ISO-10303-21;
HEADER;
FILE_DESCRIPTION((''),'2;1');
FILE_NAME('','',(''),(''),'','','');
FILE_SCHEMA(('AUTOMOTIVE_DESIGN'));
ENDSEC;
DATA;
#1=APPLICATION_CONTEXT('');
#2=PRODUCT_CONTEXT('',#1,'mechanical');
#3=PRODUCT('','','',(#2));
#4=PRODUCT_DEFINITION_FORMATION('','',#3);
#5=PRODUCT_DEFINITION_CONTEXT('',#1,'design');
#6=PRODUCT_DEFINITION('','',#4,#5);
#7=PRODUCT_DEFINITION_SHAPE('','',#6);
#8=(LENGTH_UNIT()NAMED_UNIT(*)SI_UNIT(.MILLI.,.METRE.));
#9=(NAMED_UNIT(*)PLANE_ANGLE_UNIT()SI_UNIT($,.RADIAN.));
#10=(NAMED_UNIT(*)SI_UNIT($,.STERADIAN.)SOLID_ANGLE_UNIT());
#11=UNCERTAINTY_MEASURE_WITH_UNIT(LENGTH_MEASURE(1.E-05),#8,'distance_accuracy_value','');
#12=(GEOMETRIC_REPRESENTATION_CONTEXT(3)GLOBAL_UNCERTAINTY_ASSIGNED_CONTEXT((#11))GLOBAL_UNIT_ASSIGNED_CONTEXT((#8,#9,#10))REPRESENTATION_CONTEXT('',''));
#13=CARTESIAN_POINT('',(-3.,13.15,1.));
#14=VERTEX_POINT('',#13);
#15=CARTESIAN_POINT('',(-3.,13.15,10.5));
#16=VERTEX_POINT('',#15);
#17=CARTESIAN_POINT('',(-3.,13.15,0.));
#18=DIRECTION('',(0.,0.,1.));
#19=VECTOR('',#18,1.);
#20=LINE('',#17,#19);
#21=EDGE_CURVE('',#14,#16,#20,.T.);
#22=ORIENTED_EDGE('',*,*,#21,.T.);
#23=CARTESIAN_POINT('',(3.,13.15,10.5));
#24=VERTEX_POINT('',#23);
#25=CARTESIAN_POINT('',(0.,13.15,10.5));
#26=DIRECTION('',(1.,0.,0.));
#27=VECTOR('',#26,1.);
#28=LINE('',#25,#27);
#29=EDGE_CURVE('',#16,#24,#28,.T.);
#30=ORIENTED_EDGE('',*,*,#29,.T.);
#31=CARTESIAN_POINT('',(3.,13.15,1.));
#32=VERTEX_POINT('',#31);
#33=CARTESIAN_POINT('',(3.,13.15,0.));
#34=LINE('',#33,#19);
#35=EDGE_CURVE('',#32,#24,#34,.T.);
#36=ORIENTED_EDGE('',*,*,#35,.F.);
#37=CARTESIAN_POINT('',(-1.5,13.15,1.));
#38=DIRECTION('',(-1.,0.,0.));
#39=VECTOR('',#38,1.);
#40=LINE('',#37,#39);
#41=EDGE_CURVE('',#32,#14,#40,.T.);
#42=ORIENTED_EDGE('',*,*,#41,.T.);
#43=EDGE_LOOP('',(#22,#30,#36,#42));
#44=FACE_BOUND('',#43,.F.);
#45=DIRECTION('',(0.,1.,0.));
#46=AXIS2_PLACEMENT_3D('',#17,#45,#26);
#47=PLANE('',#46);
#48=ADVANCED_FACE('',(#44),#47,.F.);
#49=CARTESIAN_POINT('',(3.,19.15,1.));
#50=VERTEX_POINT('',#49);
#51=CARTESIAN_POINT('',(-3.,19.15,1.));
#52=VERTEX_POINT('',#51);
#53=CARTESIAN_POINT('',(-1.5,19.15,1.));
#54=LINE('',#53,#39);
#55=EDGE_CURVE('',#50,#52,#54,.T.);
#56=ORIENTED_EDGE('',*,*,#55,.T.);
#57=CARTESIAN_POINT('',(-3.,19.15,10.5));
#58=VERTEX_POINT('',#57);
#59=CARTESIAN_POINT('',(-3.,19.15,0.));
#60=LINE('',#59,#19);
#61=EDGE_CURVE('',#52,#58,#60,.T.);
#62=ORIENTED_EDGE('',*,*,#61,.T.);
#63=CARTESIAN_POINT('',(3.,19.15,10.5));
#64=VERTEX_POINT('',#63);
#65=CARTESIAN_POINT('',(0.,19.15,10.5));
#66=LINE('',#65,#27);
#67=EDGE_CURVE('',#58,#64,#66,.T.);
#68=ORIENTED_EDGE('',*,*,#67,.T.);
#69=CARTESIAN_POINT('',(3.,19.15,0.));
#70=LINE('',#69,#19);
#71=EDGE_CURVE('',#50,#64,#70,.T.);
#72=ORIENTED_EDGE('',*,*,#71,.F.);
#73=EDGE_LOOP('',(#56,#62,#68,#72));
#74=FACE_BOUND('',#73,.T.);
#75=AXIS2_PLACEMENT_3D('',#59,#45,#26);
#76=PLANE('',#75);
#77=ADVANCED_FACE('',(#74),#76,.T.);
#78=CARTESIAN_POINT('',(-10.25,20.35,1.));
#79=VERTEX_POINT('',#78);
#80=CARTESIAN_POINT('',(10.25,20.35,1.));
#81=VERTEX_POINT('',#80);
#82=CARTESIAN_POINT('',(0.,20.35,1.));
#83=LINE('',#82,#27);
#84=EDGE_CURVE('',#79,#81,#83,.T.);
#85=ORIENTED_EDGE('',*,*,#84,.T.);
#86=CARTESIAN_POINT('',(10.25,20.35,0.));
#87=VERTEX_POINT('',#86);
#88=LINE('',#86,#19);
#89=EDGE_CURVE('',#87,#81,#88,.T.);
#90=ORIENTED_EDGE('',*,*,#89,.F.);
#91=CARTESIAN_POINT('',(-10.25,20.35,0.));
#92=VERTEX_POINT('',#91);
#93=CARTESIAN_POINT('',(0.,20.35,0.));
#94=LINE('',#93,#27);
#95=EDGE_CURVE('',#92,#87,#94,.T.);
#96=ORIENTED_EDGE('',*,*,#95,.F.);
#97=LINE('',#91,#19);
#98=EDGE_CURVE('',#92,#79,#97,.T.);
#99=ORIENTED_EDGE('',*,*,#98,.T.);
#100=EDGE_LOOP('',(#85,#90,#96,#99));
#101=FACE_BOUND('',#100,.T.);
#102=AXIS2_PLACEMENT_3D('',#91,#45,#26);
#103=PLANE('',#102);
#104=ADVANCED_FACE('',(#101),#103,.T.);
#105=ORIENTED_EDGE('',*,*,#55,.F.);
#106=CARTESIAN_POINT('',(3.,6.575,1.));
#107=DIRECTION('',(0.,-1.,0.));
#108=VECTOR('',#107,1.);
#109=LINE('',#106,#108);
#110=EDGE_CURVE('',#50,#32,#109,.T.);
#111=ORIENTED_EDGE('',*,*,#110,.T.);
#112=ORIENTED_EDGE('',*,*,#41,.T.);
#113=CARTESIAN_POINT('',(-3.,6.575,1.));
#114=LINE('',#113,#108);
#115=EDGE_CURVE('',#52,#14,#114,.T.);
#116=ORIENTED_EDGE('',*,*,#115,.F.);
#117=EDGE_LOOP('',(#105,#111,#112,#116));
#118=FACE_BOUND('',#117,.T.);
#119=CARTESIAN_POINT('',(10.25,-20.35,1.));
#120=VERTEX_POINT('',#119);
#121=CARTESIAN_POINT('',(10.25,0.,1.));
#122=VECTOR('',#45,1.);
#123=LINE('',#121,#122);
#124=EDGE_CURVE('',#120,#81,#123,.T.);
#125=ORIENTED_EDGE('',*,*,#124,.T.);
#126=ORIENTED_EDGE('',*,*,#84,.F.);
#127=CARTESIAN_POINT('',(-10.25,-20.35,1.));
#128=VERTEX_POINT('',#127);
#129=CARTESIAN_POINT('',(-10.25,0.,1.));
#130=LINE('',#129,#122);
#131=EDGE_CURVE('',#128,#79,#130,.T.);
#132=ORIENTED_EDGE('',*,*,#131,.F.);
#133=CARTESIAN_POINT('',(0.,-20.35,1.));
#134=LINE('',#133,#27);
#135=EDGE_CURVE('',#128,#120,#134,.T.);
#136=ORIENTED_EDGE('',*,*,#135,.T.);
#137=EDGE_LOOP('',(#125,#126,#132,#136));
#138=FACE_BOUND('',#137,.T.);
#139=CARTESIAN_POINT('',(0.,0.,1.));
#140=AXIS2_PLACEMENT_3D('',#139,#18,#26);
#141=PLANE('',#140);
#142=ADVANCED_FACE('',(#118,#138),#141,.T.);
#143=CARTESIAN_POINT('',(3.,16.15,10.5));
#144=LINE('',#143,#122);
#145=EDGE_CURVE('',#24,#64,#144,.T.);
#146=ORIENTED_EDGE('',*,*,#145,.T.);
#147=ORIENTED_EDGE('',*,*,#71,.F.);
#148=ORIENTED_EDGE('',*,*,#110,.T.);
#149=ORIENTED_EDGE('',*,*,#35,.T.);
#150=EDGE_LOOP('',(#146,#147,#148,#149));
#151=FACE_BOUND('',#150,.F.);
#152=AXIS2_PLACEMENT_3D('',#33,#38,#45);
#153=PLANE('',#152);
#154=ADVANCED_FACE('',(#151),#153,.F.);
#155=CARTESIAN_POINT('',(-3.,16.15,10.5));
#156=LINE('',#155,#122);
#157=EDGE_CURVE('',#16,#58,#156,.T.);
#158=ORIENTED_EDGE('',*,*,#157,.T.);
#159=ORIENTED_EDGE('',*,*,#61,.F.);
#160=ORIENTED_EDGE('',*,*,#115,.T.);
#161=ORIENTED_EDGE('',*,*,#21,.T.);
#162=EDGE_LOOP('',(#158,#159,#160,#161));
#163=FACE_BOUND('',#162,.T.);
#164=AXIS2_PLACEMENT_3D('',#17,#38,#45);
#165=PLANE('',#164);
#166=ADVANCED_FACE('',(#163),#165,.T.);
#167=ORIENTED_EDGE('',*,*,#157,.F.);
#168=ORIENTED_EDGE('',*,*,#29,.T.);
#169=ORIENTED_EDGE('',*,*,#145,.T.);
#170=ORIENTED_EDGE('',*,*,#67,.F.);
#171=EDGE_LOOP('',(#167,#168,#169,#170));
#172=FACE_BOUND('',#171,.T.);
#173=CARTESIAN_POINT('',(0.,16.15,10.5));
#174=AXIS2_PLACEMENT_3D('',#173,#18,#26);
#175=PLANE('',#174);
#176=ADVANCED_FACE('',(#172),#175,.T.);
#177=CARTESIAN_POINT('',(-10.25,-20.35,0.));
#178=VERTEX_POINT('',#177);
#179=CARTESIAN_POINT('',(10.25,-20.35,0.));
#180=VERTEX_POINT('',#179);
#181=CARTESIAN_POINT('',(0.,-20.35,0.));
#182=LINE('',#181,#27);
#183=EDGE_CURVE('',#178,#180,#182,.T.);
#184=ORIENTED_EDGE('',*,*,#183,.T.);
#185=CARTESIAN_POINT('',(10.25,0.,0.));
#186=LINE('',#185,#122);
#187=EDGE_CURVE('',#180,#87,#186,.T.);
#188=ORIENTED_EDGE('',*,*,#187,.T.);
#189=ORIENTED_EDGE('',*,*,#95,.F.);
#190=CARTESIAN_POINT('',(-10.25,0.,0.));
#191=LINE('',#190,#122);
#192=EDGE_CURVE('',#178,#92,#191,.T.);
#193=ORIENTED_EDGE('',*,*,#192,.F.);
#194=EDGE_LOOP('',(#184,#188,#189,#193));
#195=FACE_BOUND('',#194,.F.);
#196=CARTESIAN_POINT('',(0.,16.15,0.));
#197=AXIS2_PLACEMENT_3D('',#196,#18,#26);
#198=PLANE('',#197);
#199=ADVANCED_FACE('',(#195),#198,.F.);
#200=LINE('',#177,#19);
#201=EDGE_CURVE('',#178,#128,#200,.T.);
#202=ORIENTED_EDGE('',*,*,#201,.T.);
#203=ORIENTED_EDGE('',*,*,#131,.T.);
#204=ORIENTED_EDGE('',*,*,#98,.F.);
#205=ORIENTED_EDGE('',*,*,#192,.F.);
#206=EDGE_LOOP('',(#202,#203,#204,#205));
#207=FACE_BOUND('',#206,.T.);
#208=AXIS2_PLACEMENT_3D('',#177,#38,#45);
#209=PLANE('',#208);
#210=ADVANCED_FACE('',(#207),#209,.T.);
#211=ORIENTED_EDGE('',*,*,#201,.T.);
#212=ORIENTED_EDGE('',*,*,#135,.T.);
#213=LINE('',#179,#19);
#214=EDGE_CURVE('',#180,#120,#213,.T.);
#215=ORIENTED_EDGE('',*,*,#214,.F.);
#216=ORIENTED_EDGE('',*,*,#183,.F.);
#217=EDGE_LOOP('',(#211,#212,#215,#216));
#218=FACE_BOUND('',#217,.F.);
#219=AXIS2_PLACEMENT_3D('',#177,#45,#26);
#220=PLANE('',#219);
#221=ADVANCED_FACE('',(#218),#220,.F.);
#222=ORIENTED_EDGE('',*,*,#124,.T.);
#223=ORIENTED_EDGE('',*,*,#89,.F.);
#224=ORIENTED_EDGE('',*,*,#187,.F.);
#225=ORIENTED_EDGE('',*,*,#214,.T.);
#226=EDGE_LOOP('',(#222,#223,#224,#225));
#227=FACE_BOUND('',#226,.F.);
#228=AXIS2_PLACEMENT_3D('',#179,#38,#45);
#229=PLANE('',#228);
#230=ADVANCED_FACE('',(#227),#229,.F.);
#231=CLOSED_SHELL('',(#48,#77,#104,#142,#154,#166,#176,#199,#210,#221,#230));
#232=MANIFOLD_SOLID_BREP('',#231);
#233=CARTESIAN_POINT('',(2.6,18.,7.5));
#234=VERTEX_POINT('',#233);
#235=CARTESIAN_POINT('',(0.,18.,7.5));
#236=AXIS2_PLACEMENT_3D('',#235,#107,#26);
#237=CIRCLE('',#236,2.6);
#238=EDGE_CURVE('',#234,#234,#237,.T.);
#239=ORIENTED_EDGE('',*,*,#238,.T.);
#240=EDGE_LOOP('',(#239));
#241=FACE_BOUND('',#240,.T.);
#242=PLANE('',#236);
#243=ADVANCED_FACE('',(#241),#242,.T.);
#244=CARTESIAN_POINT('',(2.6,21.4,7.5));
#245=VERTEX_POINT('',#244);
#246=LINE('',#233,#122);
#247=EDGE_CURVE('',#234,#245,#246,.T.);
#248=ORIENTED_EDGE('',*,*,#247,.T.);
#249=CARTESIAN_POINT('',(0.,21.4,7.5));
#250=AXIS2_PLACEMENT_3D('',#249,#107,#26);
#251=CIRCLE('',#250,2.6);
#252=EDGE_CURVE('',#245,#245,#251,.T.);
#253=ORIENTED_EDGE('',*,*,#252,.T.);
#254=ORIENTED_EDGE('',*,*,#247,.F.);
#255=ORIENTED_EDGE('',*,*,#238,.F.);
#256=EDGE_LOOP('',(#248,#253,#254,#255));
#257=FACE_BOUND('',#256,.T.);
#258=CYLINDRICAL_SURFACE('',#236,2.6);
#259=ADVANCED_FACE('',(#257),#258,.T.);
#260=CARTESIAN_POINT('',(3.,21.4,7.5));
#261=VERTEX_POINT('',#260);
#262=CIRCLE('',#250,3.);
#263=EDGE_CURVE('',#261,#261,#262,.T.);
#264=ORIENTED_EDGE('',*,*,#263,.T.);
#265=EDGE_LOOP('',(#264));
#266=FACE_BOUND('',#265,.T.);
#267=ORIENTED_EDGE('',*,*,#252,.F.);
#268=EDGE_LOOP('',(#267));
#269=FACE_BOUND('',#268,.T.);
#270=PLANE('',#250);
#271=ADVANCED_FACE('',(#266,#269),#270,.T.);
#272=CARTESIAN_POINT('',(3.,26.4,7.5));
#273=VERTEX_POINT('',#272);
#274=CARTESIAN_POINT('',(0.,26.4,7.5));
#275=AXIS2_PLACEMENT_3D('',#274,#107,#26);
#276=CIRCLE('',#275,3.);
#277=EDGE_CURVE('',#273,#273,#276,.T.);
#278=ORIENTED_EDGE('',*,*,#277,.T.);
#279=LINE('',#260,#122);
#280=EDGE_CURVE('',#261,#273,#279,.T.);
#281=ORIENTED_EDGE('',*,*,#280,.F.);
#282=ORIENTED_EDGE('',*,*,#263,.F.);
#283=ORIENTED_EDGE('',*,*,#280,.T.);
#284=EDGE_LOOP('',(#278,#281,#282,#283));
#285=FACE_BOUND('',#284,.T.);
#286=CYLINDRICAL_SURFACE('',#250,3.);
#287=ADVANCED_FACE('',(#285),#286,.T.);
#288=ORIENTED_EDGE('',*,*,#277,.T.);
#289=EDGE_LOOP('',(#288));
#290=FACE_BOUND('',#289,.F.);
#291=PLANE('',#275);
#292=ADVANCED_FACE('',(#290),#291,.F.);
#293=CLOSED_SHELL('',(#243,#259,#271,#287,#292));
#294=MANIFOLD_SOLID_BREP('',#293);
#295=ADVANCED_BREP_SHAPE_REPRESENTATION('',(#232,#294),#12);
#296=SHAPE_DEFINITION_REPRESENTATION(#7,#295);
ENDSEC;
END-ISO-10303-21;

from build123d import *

# Parameters (mm, degrees)
F0_W     = 20.5
F0_H     = 40.7
F0_W_2   = 6
F0_H_2   = 6
F1_DEPTH = 1
F2_DEPTH = 10.5
F4_START = -18
F3_R     = 2.6
F4_DEPTH = 3.4
F5_START = -21.4
F3_R_2   = 3
F5_DEPTH = 5


with BuildPart() as f1:
    # F0 (on Top) → F1 (new body)
    with BuildSketch(Plane.XY):
        Rectangle(F0_W, F0_H)
        with Locations((0, 16.15)):
            Rectangle(F0_W_2, F0_H_2, mode=Mode.SUBTRACT)
        with Locations((0, 16.15)):
            Rectangle(F0_W_2, F0_H_2)
    extrude(amount=F1_DEPTH)

    # F0 (on Top) → F2 (join)
    with BuildSketch(Plane.XY):
        with Locations((0, 16.15)):
            Rectangle(F0_W_2, F0_H_2)
    extrude(amount=F2_DEPTH)


with BuildPart() as f4:
    # F3 (on Front) → F4 (new body)
    with BuildSketch(Plane.XZ.offset(F4_START)):
        with Locations((0, 7.5)):
            Circle(F3_R)
    extrude(amount=-F4_DEPTH)

    # F3 (on Front) → F5 (join)
    with BuildSketch(Plane.XZ.offset(F5_START)):
        with Locations((0, 7.5)):
            Circle(F3_R_2)
        with Locations((0, 7.5)):
            Circle(F3_R, mode=Mode.SUBTRACT)
        with Locations((0, 7.5)):
            Circle(F3_R)
    extrude(amount=-F5_DEPTH)


solid = Compound([f1.part, f4.part])
